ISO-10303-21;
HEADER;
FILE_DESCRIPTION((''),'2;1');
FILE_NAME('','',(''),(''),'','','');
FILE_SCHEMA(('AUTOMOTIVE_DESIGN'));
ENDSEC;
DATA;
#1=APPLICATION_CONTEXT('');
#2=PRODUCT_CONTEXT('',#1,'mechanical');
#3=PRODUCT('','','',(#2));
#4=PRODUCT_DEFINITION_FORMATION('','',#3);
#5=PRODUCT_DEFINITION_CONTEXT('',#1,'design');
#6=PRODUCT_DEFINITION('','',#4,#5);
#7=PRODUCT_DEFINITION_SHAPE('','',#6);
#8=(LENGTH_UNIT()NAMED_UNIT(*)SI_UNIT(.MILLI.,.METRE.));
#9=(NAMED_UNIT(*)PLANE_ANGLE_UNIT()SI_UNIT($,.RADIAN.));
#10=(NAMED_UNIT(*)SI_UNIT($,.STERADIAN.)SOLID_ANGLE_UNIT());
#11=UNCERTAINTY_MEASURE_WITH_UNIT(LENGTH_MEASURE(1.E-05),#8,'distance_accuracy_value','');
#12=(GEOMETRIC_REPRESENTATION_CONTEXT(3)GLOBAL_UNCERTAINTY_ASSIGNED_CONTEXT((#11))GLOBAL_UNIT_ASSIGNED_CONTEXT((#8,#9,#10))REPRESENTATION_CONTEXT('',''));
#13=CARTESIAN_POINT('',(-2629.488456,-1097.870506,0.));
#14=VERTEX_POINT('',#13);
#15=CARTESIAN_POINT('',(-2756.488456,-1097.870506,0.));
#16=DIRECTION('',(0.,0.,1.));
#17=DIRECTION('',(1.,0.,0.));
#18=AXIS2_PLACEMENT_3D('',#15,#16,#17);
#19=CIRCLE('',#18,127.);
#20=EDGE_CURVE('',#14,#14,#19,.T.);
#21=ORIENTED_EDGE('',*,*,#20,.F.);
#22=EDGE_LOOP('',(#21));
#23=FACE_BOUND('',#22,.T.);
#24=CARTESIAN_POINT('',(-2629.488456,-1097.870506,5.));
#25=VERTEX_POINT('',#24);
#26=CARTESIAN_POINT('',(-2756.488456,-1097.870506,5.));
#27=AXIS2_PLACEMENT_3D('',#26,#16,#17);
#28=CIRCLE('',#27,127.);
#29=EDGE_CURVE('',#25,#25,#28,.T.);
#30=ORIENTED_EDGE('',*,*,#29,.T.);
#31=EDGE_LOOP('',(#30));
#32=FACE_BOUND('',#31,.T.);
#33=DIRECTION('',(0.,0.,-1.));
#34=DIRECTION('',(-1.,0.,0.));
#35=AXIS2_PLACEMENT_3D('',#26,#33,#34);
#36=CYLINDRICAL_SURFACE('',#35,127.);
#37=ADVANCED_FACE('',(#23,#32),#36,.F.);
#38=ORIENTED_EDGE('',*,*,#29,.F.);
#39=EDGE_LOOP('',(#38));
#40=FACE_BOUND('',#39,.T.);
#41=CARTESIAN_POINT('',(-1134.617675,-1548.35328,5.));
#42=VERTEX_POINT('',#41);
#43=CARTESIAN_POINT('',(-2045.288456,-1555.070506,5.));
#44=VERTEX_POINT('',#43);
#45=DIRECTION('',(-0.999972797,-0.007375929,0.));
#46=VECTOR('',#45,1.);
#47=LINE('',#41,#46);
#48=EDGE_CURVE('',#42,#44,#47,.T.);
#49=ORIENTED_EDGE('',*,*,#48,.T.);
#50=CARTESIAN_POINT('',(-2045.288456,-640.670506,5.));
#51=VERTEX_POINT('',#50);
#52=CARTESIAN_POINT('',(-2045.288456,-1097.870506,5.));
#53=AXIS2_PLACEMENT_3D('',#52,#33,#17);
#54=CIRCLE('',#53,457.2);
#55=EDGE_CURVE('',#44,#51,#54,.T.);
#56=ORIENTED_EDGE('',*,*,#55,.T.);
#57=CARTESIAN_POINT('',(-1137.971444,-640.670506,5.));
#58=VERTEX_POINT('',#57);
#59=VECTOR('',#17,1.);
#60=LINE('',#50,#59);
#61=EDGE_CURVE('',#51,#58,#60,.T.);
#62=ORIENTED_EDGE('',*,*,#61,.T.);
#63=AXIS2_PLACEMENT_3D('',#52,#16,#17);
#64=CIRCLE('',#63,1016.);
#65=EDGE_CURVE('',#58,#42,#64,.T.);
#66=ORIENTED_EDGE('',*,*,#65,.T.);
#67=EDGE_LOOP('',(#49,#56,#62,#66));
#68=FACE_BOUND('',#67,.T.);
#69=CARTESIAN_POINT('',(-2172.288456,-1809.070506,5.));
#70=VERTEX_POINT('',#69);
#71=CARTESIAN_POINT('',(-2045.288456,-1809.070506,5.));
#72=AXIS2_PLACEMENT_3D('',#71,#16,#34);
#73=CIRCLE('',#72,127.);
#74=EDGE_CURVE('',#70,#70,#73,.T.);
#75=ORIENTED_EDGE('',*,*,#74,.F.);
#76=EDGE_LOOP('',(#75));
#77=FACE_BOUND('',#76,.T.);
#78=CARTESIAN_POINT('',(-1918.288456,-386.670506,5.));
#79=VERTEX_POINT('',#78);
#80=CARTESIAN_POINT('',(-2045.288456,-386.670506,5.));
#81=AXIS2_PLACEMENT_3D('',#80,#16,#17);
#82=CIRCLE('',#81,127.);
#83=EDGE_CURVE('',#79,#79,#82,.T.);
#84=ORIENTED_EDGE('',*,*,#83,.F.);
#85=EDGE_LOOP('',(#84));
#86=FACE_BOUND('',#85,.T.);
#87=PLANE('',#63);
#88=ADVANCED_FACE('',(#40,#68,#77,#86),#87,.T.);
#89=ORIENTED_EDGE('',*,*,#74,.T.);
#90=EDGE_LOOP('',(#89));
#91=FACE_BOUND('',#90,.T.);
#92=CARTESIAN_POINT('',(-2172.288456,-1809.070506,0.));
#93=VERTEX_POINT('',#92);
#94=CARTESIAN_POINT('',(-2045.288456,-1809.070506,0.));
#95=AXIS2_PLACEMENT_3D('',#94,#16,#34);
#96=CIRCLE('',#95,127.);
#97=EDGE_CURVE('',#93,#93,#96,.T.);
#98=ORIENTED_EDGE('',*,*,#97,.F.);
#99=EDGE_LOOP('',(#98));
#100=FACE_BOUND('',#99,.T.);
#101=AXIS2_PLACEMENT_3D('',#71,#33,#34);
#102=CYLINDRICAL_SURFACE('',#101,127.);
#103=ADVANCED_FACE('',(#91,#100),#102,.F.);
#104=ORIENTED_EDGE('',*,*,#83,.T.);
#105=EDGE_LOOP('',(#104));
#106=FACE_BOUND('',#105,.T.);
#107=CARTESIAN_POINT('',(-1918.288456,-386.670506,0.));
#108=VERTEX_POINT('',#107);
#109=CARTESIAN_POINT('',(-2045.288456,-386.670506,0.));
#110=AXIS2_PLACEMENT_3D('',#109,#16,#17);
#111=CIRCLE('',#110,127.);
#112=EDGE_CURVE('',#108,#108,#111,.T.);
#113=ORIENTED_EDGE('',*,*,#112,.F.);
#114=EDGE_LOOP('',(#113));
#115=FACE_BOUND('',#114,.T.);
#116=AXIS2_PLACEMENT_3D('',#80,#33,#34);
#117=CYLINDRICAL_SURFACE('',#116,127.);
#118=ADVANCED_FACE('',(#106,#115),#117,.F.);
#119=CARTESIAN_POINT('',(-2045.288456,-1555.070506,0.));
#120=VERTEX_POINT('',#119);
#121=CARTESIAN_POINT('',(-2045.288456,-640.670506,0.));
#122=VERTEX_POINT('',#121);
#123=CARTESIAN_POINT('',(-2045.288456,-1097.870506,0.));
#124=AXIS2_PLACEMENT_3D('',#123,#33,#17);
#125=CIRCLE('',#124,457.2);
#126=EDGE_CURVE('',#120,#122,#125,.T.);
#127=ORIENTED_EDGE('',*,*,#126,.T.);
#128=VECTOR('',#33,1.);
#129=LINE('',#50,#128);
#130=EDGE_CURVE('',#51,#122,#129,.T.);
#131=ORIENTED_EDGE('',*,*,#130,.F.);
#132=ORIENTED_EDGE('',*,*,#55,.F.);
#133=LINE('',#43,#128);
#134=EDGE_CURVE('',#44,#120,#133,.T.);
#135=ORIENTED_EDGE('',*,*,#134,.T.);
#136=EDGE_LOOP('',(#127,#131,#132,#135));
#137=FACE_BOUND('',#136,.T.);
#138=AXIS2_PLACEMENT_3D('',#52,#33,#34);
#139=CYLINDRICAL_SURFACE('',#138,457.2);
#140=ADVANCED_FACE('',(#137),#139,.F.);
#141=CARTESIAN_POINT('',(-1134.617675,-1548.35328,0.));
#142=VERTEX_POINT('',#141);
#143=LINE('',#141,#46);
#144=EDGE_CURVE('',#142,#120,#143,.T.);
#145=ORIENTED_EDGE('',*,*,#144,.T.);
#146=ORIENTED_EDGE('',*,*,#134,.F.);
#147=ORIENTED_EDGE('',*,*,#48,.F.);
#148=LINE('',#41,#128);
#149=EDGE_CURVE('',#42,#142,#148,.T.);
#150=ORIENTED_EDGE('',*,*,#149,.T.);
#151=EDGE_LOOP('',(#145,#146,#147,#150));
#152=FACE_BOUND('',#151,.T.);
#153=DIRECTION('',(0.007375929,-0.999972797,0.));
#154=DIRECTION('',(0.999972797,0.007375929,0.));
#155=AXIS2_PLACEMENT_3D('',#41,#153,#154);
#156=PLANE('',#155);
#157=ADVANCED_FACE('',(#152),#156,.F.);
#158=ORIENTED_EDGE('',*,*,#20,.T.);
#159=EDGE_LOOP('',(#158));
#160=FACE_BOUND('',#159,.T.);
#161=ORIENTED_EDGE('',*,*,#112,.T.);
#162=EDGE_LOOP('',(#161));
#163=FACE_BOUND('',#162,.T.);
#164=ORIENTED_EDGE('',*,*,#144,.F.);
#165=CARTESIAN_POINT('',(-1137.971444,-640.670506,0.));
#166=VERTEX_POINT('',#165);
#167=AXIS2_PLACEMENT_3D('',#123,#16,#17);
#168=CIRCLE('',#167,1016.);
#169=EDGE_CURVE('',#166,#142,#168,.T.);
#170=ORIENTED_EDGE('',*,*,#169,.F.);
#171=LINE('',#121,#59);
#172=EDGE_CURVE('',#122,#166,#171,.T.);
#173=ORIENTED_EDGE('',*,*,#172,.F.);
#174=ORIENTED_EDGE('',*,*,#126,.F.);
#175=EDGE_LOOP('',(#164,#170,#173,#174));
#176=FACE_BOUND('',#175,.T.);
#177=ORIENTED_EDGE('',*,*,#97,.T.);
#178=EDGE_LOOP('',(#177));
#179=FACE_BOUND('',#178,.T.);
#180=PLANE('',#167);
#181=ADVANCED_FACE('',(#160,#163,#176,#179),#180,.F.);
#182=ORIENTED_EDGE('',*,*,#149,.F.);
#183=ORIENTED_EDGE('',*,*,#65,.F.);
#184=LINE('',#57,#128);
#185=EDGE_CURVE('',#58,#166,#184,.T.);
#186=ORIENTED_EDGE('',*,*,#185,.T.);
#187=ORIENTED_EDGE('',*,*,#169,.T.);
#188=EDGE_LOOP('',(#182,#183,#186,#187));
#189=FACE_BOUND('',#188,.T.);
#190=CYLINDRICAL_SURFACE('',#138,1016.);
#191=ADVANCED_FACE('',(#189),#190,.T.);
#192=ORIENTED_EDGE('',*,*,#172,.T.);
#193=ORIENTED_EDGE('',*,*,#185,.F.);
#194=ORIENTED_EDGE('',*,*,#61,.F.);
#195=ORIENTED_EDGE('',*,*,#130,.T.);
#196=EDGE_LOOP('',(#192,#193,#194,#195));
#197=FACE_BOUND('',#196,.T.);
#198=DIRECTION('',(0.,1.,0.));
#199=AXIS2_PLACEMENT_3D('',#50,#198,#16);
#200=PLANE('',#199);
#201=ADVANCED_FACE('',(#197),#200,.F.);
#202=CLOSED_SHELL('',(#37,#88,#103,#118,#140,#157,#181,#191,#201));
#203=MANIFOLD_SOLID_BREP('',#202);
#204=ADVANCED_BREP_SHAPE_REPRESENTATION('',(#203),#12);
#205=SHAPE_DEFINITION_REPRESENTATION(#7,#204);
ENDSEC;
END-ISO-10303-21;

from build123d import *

# Parameters (mm, degrees)
SKETCH1_R           = 127
BOSS_EXTRUDE1_DEPTH = 5


with BuildPart() as part:
    # Sketch1 → Boss-Extrude1 (new body)
    with BuildSketch(Plane.XY):
        with BuildLine():
            Line((-2045.288455612, -640.670506336), (-1137.971443758, -640.670506336))
            ThreePointArc((-1137.971443758, -640.670506336), (-3061.28152044, -1101.624467207), (-1134.61767518, -1548.353280331))
            Line((-1134.61767518, -1548.353280331), (-2045.288455612, -1555.070506336))
            ThreePointArc((-2045.288455612, -1555.070506336), (-2502.488455612, -1097.870506336), (-2045.288455612, -640.670506336))
        make_face()
        with Locations((-2045.288455612, -386.670506336)):
            Circle(SKETCH1_R, mode=Mode.SUBTRACT)
        with Locations((-2756.488455612, -1097.870506336)):
            Circle(SKETCH1_R, mode=Mode.SUBTRACT)
        with Locations(Location((-2045.288455612, -1809.070506336, 0), (0, 0, 180))):
            Circle(SKETCH1_R, mode=Mode.SUBTRACT)
    extrude(amount=BOSS_EXTRUDE1_DEPTH)


solid = part.part
